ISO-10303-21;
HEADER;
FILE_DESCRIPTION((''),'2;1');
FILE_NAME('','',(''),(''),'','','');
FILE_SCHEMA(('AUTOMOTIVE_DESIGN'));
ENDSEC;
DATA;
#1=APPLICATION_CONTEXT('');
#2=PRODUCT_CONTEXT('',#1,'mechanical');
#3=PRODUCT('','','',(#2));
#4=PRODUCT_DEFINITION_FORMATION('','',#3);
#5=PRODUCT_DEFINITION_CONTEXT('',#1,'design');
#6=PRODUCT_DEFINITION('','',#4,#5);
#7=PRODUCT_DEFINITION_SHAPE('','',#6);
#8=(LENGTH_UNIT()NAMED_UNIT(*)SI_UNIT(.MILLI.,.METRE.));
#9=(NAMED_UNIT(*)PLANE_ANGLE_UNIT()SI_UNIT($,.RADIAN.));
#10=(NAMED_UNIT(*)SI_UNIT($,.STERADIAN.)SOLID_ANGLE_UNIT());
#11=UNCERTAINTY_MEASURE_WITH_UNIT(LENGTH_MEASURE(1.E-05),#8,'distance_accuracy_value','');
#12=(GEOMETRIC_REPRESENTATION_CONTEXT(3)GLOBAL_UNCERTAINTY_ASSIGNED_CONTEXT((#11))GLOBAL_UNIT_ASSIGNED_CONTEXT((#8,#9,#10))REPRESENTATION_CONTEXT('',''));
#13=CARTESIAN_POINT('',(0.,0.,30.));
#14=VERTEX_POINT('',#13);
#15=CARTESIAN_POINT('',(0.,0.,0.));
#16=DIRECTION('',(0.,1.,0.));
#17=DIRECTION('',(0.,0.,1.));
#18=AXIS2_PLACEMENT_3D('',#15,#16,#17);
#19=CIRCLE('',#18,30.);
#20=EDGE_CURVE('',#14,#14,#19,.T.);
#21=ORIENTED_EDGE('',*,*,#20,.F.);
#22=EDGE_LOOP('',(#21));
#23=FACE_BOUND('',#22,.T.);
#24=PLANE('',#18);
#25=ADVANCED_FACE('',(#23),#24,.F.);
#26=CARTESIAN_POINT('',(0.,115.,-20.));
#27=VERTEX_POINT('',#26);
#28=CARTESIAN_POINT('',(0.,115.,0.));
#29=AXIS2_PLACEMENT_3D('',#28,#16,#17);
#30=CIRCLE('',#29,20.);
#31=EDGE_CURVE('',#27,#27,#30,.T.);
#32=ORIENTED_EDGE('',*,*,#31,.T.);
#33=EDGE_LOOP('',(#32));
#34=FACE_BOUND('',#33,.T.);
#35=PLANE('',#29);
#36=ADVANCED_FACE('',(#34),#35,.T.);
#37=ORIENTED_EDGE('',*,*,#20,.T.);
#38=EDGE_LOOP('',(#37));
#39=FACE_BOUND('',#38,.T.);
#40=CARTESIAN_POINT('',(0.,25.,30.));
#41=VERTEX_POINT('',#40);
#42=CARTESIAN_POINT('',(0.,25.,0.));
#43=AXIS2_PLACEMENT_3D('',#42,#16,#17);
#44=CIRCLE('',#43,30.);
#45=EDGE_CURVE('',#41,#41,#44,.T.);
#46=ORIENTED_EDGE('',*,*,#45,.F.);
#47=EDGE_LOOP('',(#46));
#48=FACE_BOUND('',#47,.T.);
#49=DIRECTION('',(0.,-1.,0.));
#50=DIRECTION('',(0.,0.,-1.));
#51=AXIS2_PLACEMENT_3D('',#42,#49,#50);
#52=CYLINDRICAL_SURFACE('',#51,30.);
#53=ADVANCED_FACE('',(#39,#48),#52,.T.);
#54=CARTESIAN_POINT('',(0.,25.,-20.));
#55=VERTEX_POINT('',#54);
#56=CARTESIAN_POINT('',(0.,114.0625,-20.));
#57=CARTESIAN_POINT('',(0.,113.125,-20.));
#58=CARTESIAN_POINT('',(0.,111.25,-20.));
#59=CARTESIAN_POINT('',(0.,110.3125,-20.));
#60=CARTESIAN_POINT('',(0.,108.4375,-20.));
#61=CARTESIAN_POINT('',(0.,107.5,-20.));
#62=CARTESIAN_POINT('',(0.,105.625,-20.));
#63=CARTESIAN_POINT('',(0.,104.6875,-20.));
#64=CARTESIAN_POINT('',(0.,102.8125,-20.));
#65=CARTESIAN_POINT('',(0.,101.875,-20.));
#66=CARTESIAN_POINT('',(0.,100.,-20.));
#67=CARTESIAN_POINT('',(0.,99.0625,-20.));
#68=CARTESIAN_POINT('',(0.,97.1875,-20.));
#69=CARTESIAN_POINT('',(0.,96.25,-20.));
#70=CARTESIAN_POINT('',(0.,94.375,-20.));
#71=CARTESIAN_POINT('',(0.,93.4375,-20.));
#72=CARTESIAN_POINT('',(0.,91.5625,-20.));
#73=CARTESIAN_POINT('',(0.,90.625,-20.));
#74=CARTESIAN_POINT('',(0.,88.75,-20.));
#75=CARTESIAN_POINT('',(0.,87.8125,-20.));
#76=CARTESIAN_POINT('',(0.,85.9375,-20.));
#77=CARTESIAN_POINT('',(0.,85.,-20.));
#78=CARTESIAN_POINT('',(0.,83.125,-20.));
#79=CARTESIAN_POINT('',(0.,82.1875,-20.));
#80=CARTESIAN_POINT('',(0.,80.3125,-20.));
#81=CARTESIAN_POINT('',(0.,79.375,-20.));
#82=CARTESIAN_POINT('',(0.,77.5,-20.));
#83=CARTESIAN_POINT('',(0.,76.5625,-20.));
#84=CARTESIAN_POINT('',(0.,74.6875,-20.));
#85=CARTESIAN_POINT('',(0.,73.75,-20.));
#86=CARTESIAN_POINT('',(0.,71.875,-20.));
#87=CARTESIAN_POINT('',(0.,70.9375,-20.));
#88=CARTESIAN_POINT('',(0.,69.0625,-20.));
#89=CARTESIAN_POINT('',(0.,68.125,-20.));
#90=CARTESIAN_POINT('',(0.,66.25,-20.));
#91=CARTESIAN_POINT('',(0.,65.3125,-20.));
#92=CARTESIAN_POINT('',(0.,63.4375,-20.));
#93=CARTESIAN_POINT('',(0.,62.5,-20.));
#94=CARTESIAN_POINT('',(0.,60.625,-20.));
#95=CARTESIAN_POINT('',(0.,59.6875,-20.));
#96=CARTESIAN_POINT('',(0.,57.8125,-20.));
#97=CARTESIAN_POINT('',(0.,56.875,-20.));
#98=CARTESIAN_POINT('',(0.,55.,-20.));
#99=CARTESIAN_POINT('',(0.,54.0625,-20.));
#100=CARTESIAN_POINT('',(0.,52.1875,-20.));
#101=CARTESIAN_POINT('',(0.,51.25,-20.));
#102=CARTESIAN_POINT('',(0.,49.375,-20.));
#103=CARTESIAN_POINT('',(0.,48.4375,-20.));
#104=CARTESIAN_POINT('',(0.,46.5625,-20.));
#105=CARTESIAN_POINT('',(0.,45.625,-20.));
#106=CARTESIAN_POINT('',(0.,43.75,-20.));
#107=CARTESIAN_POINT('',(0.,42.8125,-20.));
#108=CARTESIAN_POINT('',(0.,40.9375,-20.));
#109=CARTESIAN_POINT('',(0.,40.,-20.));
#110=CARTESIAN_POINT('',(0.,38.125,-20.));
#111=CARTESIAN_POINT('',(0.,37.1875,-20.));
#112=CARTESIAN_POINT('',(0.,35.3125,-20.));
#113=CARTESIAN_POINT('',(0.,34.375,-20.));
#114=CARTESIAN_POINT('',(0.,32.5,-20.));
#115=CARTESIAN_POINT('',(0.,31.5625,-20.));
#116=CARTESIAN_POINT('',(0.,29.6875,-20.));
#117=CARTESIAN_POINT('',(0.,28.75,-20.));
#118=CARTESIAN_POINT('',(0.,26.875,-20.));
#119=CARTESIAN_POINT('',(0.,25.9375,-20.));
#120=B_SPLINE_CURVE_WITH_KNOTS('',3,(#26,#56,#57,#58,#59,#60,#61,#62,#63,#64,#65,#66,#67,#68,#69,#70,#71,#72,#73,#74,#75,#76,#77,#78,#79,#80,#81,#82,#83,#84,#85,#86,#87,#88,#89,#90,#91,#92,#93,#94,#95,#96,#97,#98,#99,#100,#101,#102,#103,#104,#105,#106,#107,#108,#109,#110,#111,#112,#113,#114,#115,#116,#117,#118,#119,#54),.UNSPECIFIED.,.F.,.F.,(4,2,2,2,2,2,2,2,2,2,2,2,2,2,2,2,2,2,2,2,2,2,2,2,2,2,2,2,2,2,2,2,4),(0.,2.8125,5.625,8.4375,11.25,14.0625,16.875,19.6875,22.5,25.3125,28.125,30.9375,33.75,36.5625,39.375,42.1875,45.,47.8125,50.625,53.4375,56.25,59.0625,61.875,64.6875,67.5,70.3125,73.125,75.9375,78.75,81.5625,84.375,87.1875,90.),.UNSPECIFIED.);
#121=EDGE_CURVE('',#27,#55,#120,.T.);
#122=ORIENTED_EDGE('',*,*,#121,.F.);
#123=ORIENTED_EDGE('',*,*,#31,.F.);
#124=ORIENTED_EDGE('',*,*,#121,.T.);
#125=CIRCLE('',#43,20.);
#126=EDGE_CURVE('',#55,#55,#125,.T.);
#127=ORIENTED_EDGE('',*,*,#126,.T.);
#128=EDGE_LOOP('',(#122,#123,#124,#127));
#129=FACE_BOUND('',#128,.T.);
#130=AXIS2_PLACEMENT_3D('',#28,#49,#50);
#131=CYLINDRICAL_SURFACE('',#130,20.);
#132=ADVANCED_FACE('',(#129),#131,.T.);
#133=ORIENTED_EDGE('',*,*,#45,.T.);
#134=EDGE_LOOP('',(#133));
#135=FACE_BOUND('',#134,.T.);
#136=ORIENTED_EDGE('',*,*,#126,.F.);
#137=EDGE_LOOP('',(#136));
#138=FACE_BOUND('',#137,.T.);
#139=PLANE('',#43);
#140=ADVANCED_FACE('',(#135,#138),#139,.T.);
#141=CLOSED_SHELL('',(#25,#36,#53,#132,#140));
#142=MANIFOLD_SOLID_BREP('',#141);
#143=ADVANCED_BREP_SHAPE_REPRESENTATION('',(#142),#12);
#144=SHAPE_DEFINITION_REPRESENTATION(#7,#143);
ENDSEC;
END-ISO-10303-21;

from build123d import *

# Parameters (mm, degrees)
SKETCH1_R           = 30
BOSS_EXTRUDE1_DEPTH = 25
SKETCH2_R           = 20
BOSS_EXTRUDE2_DEPTH = 90


with BuildPart() as part:
    # Sketch1 → Boss-Extrude1 (new body)
    with BuildSketch(Plane(origin=(0, 0, 0), x_dir=(1, 0, 0), z_dir=(0, 1, 0))):
        Circle(SKETCH1_R)
    extrude(amount=BOSS_EXTRUDE1_DEPTH)

    # Sketch2 → Boss-Extrude2 (add)
    with BuildSketch(Plane(origin=(0, 25, 0), x_dir=(1, 0, 0), z_dir=(0, 1, 0))):
        Circle(SKETCH2_R)
    extrude(amount=BOSS_EXTRUDE2_DEPTH)


solid = part.part
